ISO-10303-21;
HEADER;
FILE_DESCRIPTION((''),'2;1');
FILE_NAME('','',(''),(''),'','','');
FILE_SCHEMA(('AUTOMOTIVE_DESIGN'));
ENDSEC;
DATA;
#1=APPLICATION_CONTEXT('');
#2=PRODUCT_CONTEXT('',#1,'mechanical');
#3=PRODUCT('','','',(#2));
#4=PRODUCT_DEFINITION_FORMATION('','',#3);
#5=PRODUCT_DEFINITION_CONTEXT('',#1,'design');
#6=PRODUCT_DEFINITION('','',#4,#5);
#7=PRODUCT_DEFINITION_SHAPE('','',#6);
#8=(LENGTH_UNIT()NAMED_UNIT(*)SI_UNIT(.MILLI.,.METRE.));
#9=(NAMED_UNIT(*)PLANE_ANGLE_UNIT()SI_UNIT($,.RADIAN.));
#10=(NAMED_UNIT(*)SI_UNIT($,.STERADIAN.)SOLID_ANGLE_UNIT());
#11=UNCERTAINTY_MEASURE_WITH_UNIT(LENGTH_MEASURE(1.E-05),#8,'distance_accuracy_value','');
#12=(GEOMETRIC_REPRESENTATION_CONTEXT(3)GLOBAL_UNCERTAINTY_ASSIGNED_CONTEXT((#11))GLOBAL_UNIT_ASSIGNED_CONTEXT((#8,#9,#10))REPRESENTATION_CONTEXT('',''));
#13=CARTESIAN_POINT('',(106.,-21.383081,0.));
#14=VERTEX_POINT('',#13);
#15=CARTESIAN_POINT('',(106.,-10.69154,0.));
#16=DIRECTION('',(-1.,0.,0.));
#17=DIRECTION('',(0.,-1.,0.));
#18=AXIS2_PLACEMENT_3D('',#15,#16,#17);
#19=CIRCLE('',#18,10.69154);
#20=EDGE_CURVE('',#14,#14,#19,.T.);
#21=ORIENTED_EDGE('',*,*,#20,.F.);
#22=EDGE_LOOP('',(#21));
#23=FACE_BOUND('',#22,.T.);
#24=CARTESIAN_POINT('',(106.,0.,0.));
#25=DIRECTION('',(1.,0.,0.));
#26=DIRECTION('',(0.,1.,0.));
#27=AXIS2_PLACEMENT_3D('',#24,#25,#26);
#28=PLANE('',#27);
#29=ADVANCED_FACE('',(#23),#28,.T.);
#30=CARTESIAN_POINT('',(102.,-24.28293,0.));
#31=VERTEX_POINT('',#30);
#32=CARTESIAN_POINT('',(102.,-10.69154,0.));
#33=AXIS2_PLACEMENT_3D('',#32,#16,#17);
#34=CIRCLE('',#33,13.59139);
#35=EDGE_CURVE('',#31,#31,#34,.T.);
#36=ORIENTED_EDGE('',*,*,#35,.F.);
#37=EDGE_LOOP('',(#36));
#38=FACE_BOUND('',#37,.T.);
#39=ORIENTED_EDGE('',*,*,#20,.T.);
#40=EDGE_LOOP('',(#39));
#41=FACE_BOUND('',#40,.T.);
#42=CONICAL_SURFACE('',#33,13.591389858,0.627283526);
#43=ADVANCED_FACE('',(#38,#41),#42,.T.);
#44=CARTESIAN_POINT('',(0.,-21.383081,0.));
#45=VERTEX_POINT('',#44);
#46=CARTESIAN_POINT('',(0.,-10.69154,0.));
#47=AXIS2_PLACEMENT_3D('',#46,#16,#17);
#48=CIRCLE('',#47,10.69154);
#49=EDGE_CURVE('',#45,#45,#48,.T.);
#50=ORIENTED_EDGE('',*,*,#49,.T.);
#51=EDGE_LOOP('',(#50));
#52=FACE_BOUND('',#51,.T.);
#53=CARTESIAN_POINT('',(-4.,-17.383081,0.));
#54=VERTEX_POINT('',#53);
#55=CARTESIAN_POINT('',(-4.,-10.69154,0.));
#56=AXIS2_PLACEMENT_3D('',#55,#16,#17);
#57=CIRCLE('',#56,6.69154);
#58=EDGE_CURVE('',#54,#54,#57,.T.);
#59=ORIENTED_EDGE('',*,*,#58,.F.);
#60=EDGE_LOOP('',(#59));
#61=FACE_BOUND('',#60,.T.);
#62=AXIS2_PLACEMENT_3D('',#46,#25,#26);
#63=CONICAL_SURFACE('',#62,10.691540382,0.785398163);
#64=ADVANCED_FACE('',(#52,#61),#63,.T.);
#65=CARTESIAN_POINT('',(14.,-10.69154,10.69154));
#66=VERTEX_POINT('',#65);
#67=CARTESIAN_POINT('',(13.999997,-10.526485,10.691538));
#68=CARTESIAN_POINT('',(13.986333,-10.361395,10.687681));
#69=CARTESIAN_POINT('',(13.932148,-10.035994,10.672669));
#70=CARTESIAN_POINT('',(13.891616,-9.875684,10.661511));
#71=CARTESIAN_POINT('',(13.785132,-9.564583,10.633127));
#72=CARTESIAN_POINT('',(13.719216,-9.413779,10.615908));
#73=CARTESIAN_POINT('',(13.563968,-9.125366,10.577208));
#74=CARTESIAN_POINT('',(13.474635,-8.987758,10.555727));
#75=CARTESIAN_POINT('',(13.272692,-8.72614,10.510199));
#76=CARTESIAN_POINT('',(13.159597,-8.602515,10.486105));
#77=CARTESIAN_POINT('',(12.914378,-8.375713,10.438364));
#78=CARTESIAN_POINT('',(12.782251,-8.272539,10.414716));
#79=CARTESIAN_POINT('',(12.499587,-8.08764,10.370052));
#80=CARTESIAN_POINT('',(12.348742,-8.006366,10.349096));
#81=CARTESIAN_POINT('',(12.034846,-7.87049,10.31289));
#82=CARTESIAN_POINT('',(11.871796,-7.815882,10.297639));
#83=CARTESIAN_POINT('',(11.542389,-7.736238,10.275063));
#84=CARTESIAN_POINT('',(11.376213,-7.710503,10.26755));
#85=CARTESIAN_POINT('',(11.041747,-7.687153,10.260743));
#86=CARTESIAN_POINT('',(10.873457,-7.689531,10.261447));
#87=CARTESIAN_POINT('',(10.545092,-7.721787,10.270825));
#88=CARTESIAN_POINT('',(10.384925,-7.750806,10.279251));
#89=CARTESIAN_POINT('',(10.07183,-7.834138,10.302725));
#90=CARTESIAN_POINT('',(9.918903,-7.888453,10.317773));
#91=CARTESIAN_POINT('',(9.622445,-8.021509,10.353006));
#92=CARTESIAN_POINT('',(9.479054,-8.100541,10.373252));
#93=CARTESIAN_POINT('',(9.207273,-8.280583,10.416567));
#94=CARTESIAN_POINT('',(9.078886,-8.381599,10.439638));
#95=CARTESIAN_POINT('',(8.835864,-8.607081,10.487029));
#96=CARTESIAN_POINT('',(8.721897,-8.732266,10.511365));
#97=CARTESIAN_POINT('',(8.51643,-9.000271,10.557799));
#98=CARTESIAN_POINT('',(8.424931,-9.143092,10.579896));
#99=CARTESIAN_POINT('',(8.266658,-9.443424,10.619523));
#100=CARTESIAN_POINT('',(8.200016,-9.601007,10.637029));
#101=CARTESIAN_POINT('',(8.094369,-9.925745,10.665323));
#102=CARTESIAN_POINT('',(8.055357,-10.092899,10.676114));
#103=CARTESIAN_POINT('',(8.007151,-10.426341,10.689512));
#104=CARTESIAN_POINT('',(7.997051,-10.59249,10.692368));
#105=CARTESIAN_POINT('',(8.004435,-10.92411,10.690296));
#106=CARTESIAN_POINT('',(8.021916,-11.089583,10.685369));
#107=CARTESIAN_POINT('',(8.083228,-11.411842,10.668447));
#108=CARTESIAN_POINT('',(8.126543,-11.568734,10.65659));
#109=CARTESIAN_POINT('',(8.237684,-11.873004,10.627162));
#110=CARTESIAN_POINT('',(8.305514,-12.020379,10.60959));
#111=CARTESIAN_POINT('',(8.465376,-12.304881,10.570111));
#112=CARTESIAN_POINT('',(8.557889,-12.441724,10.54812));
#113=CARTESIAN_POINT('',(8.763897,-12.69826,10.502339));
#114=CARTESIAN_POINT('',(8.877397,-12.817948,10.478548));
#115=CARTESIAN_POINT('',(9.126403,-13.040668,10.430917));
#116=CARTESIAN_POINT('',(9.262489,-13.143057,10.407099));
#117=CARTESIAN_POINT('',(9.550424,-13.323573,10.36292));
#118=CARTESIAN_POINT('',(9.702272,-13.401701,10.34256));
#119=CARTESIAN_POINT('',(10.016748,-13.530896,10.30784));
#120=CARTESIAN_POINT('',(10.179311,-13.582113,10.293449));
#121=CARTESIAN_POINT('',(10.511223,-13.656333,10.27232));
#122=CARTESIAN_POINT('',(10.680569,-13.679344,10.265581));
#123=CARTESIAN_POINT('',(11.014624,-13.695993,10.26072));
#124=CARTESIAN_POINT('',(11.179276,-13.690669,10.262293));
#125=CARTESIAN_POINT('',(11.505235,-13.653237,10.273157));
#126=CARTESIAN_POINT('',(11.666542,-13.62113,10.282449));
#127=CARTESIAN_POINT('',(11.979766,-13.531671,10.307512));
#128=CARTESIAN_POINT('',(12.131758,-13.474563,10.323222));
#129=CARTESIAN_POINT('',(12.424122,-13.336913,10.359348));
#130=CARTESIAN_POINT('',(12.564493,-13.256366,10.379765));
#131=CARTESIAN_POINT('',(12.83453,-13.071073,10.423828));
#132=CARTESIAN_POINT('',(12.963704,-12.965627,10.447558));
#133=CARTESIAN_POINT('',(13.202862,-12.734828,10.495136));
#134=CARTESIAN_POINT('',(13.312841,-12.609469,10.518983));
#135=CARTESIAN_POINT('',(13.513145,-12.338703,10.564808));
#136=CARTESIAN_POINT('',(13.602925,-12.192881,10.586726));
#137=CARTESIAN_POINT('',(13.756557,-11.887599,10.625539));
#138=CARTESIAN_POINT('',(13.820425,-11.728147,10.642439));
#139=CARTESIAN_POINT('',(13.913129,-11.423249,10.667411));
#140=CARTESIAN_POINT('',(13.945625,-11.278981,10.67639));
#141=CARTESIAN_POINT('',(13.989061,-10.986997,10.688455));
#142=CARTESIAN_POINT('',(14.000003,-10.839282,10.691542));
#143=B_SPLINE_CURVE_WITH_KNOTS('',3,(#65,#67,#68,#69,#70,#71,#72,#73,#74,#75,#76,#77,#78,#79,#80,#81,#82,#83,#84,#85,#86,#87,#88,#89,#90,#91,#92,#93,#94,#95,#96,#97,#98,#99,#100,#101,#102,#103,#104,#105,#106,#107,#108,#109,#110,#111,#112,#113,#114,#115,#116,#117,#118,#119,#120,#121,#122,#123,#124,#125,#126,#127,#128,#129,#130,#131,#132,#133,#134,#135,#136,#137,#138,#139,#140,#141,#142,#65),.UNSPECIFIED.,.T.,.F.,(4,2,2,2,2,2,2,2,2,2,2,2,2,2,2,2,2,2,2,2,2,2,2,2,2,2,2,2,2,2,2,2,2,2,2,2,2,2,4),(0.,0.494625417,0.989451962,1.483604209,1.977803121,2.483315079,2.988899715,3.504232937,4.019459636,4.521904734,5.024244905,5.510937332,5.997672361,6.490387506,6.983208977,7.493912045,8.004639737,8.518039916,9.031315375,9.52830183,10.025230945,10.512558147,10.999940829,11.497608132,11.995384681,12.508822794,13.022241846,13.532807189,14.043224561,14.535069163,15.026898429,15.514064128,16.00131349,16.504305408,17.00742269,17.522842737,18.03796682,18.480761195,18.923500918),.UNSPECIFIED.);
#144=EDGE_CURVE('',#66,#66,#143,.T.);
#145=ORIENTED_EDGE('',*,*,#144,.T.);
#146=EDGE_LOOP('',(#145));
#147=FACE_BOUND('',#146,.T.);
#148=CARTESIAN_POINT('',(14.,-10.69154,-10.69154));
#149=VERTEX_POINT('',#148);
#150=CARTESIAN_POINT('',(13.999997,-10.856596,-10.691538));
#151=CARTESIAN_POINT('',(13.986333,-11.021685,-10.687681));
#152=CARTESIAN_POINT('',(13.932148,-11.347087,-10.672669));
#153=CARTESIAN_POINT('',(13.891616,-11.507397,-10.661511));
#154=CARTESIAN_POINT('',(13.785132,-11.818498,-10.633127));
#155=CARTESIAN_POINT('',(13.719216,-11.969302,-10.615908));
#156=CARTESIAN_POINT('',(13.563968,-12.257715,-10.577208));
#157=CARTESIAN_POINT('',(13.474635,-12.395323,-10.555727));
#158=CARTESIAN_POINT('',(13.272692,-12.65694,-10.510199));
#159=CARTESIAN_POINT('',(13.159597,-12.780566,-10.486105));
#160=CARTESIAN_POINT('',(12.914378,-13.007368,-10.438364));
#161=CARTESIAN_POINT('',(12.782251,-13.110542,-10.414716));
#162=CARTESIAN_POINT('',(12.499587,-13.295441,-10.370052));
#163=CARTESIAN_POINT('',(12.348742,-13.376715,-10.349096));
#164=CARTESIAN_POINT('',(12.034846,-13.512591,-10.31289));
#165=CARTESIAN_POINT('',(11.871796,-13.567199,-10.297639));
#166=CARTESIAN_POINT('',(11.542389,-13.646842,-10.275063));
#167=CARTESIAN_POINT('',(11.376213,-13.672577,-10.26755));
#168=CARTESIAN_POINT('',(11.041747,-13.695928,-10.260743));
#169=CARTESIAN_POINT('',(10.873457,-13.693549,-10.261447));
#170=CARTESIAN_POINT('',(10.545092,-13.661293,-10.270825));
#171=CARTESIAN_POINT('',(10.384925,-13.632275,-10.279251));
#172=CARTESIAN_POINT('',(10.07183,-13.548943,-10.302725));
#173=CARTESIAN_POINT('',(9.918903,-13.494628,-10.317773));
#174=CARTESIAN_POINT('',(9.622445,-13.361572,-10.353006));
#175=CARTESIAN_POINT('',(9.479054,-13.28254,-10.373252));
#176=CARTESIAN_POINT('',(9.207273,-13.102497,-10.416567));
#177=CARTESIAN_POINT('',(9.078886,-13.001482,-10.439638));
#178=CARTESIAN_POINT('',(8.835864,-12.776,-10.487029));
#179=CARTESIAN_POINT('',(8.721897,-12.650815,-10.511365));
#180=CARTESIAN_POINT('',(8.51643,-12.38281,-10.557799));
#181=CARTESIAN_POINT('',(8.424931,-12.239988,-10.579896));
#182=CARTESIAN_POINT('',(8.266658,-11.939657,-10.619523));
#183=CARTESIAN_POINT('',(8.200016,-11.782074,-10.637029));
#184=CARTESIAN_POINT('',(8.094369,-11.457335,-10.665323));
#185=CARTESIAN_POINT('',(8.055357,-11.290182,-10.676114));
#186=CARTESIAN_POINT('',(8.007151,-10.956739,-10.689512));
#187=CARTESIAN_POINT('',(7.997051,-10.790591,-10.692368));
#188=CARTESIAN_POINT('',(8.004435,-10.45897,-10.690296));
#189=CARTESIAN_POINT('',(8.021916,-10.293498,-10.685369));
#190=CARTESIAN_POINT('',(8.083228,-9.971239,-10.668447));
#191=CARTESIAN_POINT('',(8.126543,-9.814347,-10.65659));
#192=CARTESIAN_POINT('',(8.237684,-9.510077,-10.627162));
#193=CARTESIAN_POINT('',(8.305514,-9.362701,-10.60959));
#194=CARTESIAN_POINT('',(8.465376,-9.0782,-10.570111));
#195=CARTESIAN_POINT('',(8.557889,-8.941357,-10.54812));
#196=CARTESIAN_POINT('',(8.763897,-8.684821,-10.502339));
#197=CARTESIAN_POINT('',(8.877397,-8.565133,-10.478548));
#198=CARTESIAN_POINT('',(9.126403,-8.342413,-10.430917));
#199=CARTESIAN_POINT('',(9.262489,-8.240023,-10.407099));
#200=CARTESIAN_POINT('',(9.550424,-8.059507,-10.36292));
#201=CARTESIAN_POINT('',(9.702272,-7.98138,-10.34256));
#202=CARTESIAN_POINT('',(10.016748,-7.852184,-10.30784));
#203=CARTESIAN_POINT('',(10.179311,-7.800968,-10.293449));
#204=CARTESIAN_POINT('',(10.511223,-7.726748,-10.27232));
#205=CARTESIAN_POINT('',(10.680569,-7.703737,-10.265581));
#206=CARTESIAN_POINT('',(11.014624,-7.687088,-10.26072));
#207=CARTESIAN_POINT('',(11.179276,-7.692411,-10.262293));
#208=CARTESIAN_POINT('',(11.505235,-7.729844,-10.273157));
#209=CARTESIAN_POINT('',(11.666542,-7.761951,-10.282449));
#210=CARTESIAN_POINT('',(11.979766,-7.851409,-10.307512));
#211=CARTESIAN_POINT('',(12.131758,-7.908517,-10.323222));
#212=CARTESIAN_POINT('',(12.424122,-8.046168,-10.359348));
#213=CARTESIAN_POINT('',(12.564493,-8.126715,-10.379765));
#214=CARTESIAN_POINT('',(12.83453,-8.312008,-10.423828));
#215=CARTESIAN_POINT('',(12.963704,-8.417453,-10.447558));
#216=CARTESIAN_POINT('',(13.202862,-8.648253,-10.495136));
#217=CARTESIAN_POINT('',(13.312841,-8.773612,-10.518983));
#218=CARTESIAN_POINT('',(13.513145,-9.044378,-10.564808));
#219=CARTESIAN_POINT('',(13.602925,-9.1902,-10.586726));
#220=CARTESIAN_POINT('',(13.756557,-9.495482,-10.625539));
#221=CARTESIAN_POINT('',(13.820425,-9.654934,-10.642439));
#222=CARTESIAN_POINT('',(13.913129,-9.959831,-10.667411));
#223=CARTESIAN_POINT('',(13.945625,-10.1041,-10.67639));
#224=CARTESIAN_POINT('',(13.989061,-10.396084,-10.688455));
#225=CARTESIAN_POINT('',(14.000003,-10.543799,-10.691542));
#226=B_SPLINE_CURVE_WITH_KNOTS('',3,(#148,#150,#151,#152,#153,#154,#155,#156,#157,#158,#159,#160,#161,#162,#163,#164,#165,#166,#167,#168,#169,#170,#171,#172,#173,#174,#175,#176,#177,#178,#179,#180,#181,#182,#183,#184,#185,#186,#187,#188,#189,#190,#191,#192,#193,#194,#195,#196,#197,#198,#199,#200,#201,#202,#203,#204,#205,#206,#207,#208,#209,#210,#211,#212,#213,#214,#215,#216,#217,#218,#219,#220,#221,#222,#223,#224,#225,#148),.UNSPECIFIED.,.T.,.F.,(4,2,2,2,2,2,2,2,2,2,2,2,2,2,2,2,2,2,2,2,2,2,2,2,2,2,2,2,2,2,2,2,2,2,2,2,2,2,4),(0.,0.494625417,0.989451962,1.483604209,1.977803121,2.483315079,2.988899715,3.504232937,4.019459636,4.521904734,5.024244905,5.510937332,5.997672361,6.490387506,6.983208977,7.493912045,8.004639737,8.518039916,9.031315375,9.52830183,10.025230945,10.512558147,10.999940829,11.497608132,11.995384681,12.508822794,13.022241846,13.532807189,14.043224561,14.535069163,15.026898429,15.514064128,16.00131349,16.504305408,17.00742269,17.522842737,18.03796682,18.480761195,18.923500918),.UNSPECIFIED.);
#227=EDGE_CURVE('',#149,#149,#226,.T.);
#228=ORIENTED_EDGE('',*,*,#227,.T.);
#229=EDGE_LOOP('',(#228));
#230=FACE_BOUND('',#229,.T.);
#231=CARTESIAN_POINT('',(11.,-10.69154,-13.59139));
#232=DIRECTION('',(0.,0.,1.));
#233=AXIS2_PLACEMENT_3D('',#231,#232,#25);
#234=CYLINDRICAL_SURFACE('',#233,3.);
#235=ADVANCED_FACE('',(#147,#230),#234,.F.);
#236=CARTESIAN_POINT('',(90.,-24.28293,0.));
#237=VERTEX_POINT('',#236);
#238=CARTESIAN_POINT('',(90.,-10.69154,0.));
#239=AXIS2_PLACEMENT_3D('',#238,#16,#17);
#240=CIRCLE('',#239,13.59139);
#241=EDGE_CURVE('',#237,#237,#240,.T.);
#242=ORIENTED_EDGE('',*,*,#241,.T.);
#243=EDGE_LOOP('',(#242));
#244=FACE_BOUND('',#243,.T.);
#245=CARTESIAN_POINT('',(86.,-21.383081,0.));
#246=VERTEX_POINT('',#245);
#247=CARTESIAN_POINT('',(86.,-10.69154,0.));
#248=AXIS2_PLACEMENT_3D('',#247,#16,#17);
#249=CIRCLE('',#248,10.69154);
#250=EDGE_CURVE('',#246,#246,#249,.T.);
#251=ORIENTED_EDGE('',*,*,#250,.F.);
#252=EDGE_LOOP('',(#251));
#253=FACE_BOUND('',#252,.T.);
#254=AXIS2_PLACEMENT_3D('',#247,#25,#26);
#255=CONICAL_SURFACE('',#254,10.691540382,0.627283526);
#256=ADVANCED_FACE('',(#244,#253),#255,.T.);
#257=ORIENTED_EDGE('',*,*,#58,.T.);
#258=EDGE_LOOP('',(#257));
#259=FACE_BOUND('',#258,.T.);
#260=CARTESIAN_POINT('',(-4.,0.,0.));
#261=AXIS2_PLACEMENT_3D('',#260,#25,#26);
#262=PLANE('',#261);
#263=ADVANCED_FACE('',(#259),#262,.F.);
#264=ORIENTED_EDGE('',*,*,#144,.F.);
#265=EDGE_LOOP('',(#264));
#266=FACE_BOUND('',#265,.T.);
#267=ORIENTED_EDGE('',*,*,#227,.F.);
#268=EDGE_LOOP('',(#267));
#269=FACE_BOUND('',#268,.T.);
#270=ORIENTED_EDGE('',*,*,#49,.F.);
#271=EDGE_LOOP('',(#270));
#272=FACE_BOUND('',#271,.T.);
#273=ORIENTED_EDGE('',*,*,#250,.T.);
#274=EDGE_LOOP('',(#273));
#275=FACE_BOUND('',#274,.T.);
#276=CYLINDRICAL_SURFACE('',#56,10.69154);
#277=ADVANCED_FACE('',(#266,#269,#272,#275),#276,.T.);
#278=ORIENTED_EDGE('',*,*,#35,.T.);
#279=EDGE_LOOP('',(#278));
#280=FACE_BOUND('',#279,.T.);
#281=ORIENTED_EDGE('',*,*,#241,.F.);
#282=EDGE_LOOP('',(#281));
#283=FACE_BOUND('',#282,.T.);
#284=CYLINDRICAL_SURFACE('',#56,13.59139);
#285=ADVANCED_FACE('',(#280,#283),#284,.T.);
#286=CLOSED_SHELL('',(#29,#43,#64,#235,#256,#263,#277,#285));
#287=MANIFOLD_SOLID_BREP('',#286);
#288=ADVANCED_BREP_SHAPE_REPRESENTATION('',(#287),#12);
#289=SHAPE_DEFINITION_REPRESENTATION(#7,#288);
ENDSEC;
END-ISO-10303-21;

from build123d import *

# Parameters (mm, degrees)
CROQUIS1_W                 = 86
CROQUIS1_H                 = 10.691540382
CROQUIS1_W_2               = 12
CROQUIS1_H_2               = 13.591389859
CROQUIS2_R                 = 3
CORTAR_EXTRUIR1_DEPTH      = 14.591389858
CORTAR_EXTRUIR1_DEPTH_BACK = 14.591389858


with BuildPart() as part:
    # Croquis1 → Revolución3 (revolve)
    with BuildSketch(Plane.XY):
        with Locations((43, -5.345770191)):
            Rectangle(CROQUIS1_W, CROQUIS1_H)
        Polygon((0, -10.691540382), (0, 0), (-4, -4), (-4, -10.691540382), align=None)
        with Locations((96, -3.895845453)):
            Rectangle(CROQUIS1_W_2, CROQUIS1_H_2)
        Polygon((90, 2.899849477), (86, 0), (86, -10.691540382), (90, -10.691540382), align=None)
        Polygon((106, 0), (102, 2.899849477), (102, -10.691540382), (106, -10.691540382), align=None)
    revolve(axis=Axis((-4, -10.691540382, 0), (1, 0, 0)))

    # Croquis2 → Cortar-Extruir1 (cut, two sides)
    with BuildSketch(Plane.XY) as cortar_extruir1_sk:
        with Locations((11, -10.691540382)):
            Circle(CROQUIS2_R)
    extrude(amount=CORTAR_EXTRUIR1_DEPTH, mode=Mode.SUBTRACT)
    extrude(cortar_extruir1_sk.sketch, amount=-CORTAR_EXTRUIR1_DEPTH_BACK, mode=Mode.SUBTRACT)


solid = part.part
